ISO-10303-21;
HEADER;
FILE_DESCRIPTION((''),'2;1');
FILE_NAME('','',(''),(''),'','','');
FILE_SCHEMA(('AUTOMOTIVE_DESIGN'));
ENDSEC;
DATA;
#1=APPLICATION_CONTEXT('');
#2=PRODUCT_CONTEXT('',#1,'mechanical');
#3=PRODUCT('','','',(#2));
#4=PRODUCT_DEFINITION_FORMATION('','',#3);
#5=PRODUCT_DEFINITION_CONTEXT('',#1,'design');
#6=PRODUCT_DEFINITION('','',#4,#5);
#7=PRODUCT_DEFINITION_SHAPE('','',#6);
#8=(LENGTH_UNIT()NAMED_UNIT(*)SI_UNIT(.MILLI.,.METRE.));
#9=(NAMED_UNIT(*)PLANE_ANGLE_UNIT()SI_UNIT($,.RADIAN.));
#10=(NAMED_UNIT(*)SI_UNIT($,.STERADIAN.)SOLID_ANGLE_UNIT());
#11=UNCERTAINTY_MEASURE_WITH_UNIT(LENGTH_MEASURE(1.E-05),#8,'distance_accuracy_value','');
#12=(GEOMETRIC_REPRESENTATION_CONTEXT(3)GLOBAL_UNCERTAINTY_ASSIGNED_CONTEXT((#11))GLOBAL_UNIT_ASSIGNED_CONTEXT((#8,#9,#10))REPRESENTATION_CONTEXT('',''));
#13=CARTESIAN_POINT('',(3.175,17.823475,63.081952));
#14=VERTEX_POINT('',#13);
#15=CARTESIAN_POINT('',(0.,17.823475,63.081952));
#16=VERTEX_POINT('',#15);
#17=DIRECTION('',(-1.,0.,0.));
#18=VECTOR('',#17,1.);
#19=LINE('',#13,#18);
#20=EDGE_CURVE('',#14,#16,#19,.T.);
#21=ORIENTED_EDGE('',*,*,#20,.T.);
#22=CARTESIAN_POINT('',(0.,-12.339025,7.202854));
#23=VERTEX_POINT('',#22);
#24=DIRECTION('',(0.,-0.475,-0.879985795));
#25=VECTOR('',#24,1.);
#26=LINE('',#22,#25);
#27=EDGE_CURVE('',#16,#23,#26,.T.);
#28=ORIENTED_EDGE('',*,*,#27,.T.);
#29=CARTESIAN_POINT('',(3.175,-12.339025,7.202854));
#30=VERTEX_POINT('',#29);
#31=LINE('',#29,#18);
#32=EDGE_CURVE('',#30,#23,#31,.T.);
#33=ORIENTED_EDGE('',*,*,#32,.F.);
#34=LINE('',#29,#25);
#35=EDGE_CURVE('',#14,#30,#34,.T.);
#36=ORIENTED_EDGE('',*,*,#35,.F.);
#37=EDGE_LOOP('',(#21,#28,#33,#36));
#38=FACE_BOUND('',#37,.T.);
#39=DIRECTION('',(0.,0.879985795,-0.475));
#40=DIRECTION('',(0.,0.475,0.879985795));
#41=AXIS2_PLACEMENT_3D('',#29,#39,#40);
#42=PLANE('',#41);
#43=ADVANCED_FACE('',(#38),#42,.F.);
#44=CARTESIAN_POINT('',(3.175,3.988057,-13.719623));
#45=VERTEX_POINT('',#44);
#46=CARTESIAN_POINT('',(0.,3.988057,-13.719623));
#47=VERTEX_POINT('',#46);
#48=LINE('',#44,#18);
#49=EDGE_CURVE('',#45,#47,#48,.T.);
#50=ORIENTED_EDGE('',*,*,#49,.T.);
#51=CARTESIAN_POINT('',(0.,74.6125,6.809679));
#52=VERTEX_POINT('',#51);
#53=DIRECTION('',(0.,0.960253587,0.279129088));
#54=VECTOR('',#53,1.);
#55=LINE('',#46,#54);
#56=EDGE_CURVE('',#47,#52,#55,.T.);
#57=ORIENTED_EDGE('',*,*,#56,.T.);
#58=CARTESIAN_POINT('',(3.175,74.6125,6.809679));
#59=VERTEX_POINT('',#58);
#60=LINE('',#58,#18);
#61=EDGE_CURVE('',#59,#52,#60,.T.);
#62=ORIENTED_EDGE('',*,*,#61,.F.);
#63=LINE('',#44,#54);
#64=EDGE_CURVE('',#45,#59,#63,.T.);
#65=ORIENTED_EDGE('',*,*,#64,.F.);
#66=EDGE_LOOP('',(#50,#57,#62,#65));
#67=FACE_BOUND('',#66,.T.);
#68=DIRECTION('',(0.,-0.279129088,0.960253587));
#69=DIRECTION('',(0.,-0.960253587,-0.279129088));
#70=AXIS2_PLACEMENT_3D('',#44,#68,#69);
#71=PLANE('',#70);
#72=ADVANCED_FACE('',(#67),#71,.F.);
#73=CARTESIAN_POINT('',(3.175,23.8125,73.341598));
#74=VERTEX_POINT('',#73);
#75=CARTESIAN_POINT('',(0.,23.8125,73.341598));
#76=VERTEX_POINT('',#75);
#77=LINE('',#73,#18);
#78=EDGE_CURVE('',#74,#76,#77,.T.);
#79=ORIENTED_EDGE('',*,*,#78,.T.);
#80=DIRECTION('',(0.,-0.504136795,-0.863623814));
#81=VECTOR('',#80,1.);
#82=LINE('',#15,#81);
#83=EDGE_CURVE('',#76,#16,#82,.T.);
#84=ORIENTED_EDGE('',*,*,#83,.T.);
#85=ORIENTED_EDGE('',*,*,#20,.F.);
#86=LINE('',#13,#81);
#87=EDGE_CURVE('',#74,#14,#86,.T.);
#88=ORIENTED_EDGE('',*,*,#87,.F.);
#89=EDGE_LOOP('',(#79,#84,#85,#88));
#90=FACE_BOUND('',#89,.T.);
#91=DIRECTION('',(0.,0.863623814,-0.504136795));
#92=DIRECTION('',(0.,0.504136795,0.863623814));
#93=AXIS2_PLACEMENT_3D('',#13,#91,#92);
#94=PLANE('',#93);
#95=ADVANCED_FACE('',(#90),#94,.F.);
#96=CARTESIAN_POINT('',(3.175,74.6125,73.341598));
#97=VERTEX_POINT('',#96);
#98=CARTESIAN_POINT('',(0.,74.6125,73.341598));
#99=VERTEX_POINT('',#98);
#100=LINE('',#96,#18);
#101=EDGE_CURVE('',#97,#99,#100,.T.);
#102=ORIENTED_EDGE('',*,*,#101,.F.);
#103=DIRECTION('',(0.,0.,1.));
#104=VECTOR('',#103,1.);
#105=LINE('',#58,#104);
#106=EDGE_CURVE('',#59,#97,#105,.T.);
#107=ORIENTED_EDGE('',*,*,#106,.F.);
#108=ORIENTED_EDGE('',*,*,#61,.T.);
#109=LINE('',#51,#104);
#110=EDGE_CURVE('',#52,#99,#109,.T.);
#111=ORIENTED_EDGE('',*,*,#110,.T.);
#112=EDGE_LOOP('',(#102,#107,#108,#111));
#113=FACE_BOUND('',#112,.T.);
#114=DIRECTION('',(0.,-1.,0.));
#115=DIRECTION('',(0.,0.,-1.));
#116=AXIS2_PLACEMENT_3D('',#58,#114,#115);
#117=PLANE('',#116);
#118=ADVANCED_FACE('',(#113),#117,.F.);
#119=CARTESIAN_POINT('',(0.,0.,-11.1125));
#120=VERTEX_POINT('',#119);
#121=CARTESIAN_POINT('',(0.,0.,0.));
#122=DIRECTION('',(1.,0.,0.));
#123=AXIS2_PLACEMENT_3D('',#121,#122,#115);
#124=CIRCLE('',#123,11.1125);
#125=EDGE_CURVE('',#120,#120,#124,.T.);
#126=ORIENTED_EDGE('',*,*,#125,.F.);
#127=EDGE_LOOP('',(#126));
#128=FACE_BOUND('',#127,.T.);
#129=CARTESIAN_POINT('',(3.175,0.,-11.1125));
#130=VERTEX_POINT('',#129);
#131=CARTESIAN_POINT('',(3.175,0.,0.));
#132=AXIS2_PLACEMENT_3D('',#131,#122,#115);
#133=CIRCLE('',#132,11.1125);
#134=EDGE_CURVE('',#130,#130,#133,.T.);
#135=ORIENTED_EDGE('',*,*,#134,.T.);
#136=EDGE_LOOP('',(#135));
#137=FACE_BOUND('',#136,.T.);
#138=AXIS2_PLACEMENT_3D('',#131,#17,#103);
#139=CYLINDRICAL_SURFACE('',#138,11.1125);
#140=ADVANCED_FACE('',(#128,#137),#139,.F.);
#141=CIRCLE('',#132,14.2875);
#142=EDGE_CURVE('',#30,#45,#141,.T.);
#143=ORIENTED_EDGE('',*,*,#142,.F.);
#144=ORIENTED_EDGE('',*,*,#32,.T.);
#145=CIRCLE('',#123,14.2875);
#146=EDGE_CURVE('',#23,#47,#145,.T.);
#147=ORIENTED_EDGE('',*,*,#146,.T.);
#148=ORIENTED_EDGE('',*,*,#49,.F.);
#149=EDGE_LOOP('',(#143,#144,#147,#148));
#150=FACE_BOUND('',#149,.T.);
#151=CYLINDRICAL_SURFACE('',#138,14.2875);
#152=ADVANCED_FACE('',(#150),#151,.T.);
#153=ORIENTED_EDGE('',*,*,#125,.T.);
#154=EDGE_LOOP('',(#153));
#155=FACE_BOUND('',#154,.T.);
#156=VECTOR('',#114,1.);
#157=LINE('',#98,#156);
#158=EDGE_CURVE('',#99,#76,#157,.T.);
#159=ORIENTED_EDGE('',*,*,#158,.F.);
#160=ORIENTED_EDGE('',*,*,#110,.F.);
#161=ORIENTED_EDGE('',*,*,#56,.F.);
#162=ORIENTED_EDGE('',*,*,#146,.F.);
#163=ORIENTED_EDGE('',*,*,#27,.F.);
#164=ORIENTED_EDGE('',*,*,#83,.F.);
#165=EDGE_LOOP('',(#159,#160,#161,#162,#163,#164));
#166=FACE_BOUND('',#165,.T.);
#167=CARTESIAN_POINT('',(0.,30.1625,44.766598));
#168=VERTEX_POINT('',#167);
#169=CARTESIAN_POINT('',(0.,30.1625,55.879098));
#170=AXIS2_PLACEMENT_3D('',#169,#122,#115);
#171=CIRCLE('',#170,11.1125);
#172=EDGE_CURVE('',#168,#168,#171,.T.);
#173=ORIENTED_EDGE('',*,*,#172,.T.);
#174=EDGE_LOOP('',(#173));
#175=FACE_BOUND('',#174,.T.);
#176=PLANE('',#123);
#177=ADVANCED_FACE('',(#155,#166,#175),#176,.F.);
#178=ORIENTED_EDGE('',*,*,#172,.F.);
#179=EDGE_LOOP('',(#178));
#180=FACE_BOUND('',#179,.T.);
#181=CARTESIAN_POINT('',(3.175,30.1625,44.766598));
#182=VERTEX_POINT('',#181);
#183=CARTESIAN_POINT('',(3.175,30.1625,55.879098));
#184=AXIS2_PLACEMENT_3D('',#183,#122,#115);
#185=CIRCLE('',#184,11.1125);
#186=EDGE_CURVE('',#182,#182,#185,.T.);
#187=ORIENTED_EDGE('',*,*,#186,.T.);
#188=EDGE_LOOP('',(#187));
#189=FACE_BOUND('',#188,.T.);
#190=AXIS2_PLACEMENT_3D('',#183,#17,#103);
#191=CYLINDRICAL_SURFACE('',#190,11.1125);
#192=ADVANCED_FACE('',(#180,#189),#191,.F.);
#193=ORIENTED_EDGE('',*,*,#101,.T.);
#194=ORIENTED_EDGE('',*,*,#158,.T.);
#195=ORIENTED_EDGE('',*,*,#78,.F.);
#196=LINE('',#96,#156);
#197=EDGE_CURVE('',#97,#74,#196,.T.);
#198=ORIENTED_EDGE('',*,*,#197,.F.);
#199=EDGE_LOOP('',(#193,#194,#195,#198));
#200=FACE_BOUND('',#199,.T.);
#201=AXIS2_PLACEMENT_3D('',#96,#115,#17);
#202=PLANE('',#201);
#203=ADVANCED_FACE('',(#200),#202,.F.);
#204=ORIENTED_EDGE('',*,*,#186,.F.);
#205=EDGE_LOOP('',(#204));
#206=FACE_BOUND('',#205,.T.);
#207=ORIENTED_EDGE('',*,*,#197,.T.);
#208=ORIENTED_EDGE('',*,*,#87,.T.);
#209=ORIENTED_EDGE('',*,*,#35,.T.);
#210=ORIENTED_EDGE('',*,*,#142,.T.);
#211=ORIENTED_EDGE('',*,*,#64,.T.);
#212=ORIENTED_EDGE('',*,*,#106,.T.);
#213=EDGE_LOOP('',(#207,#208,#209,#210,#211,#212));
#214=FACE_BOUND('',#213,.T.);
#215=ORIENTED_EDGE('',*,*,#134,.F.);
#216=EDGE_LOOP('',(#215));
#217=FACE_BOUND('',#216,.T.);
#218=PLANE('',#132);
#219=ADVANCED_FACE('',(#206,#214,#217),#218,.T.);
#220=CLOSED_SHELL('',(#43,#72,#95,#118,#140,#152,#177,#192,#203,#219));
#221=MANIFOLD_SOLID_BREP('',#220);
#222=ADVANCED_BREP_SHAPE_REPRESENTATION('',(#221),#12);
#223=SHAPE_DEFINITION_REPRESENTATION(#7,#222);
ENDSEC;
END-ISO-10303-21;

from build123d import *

# Parameters (mm, degrees)
SKETCH2_R           = 11.1125
BOSS_EXTRUDE1_DEPTH = 3.175


with BuildPart() as part:
    # Sketch2 → Boss-Extrude1 (new body)
    with BuildSketch(Plane(origin=(0, 0, 0), x_dir=(0, 0, -1), z_dir=(1, 0, 0))):
        with BuildLine():
            Line((13.719623131, 3.988056845), (-6.809679404, 74.6125))
            Line((-6.809679404, 74.6125), (-73.341598004, 74.6125))
            Line((-73.341598004, 74.6125), (-73.341598004, 23.8125))
            Line((-73.341598004, 23.8125), (-63.081952462, 17.823474758))
            Line((-63.081952462, 17.823474758), (-7.202854458, -12.339025242))
            ThreePointArc((-7.202854458, -12.339025242), (8.789793561, -11.263755386), (13.719623131, 3.988056845))
        make_face()
        with Locations((-55.879098004, 30.1625)):
            Circle(SKETCH2_R, mode=Mode.SUBTRACT)
        Circle(SKETCH2_R, mode=Mode.SUBTRACT)
    extrude(amount=BOSS_EXTRUDE1_DEPTH)


solid = part.part
